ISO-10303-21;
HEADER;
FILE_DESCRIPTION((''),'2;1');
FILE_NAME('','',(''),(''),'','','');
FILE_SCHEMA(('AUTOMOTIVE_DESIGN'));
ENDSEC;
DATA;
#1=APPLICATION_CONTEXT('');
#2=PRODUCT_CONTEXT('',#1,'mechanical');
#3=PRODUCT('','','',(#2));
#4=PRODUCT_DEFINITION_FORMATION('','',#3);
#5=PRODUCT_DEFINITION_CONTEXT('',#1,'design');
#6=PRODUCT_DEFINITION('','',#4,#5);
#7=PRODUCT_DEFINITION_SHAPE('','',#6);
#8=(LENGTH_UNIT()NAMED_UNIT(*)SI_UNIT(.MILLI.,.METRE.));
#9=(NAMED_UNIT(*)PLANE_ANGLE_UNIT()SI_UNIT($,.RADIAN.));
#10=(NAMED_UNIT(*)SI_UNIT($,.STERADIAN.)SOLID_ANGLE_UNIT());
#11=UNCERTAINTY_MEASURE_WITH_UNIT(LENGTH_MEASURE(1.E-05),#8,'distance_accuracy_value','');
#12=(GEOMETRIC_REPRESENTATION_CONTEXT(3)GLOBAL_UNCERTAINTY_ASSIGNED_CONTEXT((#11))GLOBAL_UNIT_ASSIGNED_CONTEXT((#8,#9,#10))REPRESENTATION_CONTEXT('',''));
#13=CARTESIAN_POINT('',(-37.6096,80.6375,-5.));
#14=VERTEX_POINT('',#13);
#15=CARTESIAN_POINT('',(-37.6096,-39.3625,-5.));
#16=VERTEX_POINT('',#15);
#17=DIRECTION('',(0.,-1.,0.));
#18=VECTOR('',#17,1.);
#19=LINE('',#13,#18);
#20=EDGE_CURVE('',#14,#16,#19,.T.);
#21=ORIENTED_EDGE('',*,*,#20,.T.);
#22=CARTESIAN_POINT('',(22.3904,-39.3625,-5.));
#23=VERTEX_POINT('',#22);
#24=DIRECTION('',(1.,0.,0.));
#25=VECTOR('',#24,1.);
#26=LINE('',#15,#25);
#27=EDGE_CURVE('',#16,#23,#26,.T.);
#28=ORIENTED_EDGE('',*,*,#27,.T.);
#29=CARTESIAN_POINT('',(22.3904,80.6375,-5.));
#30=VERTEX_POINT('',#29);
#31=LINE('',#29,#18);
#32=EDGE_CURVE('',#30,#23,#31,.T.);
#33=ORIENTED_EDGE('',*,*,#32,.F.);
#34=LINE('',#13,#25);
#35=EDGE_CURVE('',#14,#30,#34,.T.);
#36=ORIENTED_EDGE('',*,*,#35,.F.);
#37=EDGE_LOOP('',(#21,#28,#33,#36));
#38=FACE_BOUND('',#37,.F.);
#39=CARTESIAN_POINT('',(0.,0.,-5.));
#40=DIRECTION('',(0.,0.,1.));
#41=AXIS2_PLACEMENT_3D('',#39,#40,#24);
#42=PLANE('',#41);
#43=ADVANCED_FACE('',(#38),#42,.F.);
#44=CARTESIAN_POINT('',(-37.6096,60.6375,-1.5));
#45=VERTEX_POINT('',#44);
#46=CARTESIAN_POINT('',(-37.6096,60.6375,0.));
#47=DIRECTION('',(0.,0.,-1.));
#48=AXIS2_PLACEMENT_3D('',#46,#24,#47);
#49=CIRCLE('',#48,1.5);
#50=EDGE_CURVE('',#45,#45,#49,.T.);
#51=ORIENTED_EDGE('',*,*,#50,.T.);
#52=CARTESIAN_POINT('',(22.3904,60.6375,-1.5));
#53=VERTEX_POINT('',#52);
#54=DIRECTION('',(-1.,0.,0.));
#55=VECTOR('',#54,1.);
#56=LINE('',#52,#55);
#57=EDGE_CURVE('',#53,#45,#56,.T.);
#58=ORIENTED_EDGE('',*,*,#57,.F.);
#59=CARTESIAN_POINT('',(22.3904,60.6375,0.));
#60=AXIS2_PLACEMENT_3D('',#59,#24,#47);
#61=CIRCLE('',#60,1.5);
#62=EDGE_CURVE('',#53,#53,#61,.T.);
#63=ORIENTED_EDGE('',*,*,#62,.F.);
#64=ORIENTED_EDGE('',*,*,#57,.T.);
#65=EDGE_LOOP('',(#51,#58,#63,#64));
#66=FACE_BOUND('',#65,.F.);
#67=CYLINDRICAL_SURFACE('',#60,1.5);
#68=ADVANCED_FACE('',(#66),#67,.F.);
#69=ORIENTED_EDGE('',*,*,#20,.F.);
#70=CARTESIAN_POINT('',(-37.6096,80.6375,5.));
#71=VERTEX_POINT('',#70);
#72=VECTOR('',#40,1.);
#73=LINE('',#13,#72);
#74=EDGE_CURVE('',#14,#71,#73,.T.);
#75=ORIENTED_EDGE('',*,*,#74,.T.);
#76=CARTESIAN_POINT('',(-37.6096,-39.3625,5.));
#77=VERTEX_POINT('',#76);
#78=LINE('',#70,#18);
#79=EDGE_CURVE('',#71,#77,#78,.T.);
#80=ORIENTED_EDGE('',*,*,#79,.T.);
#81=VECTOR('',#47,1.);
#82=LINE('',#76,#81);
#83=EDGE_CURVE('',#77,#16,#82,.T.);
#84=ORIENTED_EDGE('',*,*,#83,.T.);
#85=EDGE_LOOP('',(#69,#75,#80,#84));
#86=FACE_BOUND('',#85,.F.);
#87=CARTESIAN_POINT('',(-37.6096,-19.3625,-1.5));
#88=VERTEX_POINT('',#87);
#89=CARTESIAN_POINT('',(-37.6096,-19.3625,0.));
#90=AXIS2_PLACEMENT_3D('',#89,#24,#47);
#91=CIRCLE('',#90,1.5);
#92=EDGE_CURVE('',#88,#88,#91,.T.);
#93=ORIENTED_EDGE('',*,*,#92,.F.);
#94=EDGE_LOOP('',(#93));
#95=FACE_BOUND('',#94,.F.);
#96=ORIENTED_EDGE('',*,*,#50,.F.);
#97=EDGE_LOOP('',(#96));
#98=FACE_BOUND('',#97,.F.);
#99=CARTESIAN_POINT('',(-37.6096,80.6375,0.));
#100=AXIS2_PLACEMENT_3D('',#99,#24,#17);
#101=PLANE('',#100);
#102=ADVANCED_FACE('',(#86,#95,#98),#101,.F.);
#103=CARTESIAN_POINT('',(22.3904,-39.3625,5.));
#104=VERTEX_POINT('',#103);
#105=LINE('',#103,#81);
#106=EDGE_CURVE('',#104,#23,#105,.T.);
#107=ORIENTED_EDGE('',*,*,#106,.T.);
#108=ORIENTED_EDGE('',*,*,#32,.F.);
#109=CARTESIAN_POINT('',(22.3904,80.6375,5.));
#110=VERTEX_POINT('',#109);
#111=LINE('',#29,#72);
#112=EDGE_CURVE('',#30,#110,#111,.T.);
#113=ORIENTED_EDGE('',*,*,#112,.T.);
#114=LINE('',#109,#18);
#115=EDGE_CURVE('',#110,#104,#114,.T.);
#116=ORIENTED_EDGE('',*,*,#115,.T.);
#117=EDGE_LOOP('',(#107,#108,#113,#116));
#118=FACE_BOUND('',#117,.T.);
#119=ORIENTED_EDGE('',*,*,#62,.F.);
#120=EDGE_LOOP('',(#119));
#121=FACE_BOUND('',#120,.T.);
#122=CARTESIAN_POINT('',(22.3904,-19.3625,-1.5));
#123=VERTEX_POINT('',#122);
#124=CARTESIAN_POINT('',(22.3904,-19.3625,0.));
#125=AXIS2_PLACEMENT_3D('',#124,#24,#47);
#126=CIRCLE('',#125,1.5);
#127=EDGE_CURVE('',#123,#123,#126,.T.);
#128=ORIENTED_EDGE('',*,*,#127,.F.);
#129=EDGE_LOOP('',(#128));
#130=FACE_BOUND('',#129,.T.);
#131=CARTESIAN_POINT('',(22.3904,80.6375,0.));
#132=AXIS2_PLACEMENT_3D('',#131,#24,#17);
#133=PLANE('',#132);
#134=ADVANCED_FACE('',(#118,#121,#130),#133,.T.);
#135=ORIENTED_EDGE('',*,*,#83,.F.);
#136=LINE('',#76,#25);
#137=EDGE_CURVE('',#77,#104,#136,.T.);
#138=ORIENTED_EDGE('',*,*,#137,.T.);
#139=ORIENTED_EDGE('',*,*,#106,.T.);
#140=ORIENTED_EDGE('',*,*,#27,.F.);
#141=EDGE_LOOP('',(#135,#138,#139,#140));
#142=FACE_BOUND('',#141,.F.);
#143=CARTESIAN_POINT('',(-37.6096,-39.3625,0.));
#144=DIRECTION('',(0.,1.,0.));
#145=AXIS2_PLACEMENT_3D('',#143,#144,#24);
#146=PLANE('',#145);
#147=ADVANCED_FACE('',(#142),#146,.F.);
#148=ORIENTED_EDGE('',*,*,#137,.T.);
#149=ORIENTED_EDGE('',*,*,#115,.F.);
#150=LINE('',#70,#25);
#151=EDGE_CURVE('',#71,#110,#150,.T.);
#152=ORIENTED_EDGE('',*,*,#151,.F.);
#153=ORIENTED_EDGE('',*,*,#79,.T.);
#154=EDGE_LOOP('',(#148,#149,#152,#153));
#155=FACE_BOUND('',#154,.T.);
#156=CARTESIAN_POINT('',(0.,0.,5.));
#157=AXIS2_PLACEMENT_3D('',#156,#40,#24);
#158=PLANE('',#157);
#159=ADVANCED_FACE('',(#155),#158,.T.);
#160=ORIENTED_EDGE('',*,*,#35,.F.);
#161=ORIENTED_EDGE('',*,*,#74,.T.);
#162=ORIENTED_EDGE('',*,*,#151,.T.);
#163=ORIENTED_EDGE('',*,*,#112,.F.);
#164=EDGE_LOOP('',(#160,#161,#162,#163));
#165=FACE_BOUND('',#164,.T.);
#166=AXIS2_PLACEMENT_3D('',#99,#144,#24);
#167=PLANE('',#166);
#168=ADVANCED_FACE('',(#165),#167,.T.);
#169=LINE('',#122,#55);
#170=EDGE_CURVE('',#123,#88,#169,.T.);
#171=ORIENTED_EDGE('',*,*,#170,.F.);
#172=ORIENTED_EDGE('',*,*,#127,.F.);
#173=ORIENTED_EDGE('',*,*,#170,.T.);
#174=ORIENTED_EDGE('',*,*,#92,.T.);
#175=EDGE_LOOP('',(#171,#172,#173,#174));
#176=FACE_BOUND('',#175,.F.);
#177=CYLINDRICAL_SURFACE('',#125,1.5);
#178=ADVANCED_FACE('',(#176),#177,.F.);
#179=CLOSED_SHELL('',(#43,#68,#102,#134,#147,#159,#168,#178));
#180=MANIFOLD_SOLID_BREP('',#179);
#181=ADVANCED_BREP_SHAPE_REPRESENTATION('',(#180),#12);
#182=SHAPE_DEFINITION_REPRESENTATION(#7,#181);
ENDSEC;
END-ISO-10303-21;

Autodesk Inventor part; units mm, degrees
ref_plane "YZ Plane" through (0, 0, 0) normal (1, 0, 0) x (0, 1, 0)
ref_plane "XZ Plane" through (0, 0, 0) normal (0, 1, 0) x (-1, 0, 0)
ref_plane "XY Plane" through (0, 0, 0) normal (0, 0, 1) x (1, 0, 0)
sketch "Esquisse1" plane through (0, 0, 0) normal (0, 0, 1) x (1, 0, 0)
  line L0 (22.3904, 80.6375) -> (22.3904, -39.3625)
  line L1 (-37.6096, 80.6375) -> (-37.6096, -39.3625)
  line L2 (-37.6096, -39.3625) -> (22.3904, -39.3625)
  line L3 (-37.6096, 80.6375) -> (22.3904, 80.6375)
  point P0 (0, 0)
  dimension "d0" = 120
  dimension "d1" = 60
extrude "Extrusion1" add sketch "Esquisse1" along normal mid plane 10
sketch "Esquisse2" plane through (22.3904, -39.3625, 5) normal (1, 0, 0) x (0, 0, -1)
  circle A0 centre (5, 100) radius 1.5
  line L0 (10, 0) -> (0, 0) projected
  point P0 (5, 39.3625)
  point P1 (5, 0)
  dimension "d10" = 100
  dimension "d11" = 3
sketch "Esquisse3" plane through (22.3904, -39.3625, 5) normal (1, 0, 0) x (0, 0, -1)
  circle A0 centre (5, 20) radius 1.5
  line L0 (10, 0) -> (0, 0) projected
  circle A1 centre (5, 100) radius 1.5
  point P0 (5, 39.3625)
  point P1 (5, 0)
  dimension "d4" = 20
  dimension "d5" = 3
  dimension "d6" = 100
  dimension "d7" = 3
extrude "Extrusion2" cut sketch "Esquisse3" against normal through all contours A0
extrude "Extrusion3" cut sketch "Esquisse2" against normal blind 60
properties part number "plaque de separation"
